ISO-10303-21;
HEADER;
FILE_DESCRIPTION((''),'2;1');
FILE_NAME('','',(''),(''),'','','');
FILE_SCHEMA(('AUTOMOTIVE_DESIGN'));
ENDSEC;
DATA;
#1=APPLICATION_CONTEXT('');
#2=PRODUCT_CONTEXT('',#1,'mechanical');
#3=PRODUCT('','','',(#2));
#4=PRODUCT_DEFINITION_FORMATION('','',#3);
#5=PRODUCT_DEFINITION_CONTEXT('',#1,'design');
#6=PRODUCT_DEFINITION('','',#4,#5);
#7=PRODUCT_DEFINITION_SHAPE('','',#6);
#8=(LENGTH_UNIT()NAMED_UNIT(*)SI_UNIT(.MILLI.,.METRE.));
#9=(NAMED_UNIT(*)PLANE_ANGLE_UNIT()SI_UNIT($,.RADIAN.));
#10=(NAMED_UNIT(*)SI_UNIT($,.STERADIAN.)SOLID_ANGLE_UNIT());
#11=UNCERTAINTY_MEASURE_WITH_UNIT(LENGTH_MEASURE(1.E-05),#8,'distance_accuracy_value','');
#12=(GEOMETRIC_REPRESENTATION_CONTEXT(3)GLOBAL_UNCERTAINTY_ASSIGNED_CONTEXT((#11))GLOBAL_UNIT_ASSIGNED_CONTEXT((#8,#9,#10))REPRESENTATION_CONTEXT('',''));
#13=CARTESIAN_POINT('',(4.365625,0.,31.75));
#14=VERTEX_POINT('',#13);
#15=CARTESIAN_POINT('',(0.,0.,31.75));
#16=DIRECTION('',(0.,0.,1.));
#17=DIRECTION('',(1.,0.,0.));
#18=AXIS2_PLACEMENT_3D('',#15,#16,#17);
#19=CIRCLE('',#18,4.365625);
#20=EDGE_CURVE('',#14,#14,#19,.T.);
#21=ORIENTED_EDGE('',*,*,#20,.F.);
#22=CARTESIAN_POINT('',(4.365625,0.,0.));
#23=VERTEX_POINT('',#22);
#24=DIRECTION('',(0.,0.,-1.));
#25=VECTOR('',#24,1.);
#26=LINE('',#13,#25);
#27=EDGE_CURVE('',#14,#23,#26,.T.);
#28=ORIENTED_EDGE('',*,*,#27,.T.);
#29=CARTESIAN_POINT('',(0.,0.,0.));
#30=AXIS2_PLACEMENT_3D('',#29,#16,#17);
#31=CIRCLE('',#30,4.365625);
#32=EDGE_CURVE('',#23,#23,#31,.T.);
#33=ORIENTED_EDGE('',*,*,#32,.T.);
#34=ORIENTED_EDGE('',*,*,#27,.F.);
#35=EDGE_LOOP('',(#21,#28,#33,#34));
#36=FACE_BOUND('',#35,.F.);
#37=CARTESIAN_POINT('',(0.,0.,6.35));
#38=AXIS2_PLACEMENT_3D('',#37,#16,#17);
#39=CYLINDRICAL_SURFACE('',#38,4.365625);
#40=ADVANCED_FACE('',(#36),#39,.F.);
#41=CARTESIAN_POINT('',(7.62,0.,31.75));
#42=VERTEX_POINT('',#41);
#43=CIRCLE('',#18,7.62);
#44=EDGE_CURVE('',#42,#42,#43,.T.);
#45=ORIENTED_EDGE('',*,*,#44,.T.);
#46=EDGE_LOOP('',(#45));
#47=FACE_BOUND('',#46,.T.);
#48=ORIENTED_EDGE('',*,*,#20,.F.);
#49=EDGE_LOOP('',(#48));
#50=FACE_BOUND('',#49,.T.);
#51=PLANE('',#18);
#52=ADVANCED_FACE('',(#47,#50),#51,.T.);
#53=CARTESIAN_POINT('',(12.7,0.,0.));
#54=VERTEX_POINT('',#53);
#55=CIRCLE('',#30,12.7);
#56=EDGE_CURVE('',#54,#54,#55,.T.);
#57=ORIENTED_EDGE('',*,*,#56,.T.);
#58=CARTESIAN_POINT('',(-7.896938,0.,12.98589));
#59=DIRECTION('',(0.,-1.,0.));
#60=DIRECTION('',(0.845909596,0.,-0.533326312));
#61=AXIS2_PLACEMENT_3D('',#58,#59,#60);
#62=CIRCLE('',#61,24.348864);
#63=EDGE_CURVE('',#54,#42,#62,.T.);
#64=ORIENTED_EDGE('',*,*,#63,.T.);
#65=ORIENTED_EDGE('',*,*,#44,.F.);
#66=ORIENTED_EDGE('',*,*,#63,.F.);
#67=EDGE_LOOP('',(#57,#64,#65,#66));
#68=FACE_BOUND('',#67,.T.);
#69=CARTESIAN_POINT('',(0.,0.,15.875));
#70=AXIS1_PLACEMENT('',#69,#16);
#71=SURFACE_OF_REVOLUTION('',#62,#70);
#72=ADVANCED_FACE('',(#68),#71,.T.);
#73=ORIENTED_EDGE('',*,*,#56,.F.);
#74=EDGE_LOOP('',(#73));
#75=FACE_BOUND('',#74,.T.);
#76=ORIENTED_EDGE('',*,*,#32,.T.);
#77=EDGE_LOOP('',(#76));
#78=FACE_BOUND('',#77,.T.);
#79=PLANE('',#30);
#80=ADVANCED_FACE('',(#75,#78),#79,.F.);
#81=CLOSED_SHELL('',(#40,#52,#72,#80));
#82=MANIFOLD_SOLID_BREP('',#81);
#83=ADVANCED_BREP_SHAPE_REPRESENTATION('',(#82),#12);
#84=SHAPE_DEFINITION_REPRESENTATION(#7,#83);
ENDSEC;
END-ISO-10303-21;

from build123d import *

# Parameters (mm, degrees)
F2_R      = 4.365625
F3_DEPTH  = 25.4
F3_FACE_R = 4.365625
F4_DEPTH  = 25.4


with BuildPart() as f1:
    # F0 (on Front) → F1 (revolve)
    with BuildSketch(Plane.XZ):
        with BuildLine():
            Line((0, 31.75), (0, 0))
            Line((0, 0), (12.7, 0))
            ThreePointArc((12.7, 0), (16.14612, 16.832779), (7.62, 31.75))
            Line((7.62, 31.75), (0, 31.75))
        make_face()
    revolve(axis=Axis((0, 0, 15.875), (0, 0, 1)))

    # F2 (on face) → F3 (cut)
    with BuildSketch(Plane.XY.offset(31.75)):
        Circle(F2_R)
    extrude(amount=-F3_DEPTH, mode=Mode.SUBTRACT)

    # F3_face (on face) → F4 (cut)
    with BuildSketch(Plane.XY.offset(6.35)):
        Circle(F3_FACE_R)
    extrude(amount=-F4_DEPTH, mode=Mode.SUBTRACT)


solid = f1.part
